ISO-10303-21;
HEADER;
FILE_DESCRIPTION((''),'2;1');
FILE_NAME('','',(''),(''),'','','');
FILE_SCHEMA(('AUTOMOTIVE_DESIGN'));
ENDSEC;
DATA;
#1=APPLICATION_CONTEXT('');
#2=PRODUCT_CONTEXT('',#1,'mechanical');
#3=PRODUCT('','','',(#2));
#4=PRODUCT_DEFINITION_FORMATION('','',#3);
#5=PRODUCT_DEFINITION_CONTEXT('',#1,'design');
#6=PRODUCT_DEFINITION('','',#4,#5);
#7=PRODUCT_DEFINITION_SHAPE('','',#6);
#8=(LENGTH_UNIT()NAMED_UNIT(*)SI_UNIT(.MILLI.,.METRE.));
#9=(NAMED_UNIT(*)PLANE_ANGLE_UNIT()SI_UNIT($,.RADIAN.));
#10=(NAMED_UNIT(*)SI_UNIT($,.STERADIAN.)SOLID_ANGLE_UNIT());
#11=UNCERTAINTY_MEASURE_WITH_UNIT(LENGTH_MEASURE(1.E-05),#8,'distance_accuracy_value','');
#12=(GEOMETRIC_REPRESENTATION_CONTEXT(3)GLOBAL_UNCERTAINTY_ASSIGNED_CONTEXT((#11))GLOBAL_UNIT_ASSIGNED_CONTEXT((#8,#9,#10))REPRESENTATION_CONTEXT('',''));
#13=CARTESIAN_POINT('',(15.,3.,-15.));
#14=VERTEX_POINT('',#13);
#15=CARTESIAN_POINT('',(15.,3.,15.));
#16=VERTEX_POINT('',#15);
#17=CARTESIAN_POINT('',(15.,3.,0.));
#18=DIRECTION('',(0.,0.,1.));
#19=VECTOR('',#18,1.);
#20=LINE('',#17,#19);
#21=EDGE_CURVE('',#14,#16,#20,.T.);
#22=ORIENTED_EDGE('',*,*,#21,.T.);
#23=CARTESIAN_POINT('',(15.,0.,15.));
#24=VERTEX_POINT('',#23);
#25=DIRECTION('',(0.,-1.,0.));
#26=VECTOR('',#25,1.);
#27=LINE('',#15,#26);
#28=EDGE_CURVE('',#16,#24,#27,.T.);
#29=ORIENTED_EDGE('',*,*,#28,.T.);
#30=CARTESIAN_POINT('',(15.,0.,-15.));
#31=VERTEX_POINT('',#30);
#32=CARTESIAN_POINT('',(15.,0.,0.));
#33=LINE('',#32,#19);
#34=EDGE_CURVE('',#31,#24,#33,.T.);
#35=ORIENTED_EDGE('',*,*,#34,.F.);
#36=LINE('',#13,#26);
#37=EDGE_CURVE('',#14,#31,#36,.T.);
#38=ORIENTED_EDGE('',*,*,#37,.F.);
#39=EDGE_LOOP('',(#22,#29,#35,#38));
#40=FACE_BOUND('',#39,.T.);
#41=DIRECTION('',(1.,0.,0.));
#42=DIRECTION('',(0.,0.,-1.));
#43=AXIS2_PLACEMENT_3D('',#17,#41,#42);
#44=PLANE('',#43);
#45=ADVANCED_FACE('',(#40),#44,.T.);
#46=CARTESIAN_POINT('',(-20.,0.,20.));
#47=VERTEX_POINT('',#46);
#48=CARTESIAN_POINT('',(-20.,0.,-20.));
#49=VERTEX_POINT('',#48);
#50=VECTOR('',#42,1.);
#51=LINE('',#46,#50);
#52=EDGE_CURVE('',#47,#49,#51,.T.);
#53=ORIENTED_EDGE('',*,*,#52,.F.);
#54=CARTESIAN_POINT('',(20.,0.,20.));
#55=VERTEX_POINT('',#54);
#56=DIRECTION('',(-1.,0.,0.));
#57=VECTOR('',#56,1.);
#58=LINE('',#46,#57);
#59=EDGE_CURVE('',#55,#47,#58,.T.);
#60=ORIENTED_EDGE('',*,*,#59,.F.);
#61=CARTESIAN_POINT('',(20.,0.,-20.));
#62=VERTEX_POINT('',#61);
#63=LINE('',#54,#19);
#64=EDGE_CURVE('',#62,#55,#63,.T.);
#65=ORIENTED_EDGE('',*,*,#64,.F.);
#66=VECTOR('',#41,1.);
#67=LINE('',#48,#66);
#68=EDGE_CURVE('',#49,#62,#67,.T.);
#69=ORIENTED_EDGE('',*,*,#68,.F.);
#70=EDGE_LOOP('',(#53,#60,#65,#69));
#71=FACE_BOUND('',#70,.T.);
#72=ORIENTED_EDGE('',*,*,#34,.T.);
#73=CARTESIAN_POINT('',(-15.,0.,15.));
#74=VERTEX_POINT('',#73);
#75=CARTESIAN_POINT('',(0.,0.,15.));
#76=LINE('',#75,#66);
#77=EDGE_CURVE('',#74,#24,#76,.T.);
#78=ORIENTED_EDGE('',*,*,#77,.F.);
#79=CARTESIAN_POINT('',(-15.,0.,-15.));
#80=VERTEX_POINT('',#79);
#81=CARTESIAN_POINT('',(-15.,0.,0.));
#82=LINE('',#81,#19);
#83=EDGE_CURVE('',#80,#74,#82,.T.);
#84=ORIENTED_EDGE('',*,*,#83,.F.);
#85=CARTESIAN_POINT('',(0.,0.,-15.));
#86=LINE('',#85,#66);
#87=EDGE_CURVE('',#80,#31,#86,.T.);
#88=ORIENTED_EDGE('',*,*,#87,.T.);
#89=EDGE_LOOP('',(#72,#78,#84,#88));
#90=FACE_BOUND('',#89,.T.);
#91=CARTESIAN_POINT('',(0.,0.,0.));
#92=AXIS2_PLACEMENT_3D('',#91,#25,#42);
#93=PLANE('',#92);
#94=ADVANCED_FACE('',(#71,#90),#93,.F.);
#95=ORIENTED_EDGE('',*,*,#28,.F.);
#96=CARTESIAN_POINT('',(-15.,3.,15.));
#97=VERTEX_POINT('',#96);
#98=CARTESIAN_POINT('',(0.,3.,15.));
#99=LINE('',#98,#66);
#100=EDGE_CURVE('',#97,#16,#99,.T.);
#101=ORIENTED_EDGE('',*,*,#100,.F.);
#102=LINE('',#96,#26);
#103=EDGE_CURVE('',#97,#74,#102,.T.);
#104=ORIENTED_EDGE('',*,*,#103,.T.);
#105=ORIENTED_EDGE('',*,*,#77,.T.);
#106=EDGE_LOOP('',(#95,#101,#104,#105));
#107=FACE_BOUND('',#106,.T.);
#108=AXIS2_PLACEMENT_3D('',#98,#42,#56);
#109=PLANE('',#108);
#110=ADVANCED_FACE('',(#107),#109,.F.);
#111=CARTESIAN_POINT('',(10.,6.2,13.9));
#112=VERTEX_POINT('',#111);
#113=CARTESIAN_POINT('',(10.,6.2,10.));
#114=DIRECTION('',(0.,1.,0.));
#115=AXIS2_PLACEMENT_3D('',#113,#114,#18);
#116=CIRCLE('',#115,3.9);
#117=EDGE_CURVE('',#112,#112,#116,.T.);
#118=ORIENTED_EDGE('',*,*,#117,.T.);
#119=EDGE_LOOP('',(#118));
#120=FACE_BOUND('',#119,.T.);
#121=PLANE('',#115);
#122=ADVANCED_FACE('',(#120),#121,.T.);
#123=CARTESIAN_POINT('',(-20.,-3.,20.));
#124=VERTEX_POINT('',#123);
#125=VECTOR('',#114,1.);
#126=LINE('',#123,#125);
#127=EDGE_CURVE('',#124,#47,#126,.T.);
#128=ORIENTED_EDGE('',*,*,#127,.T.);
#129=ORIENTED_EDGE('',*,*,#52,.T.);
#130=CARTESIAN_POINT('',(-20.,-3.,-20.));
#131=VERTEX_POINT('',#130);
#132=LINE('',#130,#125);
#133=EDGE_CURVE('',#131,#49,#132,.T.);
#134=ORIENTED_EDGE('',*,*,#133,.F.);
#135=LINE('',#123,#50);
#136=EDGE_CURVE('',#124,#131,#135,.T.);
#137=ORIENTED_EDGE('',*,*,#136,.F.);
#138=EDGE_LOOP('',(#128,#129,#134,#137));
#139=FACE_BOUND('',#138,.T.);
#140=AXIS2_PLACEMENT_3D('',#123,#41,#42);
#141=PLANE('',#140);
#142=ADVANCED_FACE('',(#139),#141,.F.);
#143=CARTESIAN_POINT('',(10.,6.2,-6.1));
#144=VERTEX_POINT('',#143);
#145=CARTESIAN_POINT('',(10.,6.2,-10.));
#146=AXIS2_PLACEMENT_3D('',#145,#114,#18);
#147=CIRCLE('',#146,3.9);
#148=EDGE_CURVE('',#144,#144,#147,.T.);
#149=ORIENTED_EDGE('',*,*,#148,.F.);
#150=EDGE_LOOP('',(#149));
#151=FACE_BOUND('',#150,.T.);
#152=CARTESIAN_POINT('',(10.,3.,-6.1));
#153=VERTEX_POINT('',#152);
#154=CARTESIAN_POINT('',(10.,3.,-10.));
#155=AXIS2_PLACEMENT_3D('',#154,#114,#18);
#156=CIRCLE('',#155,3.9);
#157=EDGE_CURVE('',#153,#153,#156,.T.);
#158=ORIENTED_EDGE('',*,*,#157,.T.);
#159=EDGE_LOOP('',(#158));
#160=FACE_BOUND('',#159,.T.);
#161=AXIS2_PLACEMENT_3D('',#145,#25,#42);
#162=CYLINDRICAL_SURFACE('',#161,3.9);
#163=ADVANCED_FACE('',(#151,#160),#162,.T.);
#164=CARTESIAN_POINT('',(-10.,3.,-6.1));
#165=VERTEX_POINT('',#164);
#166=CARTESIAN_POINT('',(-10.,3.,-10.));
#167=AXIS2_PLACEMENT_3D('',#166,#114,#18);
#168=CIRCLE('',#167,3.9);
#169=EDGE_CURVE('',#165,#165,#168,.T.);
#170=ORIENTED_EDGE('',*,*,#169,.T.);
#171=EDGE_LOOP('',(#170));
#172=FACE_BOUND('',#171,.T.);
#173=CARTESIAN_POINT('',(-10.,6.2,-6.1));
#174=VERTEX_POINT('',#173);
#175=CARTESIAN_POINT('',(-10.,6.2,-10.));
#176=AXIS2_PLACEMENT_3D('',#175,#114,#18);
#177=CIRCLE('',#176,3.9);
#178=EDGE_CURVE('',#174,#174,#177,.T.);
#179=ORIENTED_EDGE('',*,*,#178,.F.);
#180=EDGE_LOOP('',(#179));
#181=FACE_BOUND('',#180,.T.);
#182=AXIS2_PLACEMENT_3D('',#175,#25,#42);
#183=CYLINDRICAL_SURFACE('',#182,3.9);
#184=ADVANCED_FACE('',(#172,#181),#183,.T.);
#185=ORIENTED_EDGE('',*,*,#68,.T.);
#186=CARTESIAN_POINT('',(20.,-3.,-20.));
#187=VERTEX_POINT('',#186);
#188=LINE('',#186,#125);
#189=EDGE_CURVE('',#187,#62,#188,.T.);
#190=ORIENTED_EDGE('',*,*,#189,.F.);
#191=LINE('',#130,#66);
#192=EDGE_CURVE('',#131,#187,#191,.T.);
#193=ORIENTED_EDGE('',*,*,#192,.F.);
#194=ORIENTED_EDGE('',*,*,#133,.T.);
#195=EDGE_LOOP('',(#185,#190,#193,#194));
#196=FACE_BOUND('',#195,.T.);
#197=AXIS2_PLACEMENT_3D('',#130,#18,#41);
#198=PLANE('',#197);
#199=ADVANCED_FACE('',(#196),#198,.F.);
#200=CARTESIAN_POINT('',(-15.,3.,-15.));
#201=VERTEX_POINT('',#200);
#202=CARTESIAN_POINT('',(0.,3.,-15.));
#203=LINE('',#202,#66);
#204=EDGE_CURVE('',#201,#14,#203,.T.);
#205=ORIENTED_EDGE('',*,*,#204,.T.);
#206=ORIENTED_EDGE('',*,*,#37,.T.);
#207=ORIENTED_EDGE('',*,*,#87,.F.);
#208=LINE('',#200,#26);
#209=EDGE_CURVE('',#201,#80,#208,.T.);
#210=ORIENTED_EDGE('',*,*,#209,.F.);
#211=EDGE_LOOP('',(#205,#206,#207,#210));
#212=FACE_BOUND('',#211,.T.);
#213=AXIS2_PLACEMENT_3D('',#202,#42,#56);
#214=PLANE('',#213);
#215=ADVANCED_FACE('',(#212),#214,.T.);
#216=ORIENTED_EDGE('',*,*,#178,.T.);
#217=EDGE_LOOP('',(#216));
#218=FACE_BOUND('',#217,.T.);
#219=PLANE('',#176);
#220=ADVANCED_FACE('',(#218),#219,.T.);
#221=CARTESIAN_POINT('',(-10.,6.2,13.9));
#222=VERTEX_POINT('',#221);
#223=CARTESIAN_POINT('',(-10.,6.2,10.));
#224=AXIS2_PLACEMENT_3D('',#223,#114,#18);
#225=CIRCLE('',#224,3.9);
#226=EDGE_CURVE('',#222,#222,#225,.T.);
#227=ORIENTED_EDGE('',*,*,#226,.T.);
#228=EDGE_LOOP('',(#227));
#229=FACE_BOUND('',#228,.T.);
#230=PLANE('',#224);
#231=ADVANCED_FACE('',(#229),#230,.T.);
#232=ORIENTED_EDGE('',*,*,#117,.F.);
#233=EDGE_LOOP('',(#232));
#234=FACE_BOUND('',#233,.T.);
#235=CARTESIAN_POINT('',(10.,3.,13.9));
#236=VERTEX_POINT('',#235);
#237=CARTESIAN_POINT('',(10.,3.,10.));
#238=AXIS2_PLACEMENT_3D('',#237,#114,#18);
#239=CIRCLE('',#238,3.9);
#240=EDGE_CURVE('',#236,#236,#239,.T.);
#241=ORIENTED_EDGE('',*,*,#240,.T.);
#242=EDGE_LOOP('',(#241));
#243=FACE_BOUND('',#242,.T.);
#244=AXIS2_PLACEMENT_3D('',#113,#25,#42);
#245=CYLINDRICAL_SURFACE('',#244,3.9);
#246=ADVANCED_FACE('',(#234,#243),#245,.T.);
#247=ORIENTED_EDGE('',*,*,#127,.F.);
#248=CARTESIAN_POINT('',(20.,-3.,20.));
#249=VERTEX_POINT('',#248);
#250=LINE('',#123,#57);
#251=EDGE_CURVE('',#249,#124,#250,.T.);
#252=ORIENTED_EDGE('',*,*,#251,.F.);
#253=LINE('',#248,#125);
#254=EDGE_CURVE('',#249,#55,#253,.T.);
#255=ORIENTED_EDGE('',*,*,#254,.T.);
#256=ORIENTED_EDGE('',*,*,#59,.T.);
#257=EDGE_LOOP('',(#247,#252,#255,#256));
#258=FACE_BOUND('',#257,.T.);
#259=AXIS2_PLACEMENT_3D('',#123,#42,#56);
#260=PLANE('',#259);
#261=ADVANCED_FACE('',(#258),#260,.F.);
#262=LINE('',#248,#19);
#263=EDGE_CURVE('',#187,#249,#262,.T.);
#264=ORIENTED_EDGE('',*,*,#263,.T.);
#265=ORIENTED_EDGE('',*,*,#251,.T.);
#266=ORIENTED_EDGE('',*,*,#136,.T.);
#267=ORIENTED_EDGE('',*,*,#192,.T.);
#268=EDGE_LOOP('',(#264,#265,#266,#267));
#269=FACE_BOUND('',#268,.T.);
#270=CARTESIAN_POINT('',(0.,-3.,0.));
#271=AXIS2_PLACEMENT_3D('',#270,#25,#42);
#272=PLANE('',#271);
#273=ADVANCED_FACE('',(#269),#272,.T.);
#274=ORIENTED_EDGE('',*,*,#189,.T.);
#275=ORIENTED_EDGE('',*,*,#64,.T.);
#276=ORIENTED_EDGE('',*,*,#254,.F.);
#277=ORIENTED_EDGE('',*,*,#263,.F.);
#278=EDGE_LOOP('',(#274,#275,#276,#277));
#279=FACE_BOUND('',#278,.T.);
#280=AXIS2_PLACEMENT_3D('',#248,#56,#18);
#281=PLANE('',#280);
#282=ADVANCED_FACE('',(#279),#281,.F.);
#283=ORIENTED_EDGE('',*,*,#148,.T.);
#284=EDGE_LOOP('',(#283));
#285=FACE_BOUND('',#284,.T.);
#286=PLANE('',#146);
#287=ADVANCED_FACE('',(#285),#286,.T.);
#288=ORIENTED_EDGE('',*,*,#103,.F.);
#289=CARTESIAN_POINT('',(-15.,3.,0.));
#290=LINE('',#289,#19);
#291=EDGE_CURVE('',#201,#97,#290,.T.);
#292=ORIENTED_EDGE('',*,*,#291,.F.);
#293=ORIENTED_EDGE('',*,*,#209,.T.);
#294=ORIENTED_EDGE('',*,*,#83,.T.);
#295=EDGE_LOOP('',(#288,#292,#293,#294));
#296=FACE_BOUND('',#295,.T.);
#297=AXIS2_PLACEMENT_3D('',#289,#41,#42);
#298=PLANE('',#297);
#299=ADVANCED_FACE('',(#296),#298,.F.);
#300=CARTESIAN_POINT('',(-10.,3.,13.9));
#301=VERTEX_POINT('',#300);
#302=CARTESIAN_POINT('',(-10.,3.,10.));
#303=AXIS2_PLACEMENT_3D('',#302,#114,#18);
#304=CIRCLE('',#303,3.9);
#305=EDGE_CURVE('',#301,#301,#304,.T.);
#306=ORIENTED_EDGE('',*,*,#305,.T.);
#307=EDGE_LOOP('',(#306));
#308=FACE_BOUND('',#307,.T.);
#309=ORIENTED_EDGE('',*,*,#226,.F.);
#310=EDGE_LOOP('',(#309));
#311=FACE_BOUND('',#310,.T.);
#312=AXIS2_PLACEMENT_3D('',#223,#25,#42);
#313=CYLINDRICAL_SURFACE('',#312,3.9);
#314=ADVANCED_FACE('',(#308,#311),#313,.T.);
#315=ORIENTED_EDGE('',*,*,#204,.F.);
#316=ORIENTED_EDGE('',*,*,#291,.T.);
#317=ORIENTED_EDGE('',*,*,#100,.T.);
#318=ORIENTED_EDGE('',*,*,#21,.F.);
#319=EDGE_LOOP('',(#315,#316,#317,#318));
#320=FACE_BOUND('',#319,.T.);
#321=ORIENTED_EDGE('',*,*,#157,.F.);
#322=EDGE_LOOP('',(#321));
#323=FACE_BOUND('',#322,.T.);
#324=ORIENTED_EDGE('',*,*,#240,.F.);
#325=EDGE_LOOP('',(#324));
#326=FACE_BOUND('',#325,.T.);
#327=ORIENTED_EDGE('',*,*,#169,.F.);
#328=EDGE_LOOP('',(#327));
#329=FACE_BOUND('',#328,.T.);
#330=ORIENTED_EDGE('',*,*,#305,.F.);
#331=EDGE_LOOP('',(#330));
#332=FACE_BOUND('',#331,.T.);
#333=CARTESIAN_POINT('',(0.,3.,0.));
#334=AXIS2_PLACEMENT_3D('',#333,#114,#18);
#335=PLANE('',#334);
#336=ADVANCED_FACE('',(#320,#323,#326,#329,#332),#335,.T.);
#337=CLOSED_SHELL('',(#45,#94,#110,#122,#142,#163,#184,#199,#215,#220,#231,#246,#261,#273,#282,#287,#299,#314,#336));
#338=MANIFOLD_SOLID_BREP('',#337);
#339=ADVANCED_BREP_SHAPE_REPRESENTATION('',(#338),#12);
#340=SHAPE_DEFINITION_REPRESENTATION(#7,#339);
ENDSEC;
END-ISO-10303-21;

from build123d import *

# Parameters (mm, degrees)
SKETCH1_W           = 30
SKETCH1_H           = 30
SKETCH1_R           = 3.9
BOSS_EXTRUDE1_DEPTH = 3
SKETCH2_R           = 3.9
BOSS_EXTRUDE2_DEPTH = 3.2
SKETCH3_W           = 40
SKETCH3_H           = 40
BOSS_EXTRUDE3_DEPTH = 3


with BuildPart() as part:
    # Sketch1 → Boss-Extrude1 (new body)
    # profile 1 of 5: a face of its own
    with BuildSketch(Plane(origin=(0, 0, 0), x_dir=(1, 0, 0), z_dir=(0, 1, 0))):
        Rectangle(SKETCH1_W, SKETCH1_H)
        with Locations((10, -10)):
            Circle(SKETCH1_R, mode=Mode.SUBTRACT)
        with Locations((-10, -10)):
            Circle(SKETCH1_R, mode=Mode.SUBTRACT)
        with Locations((10, 10)):
            Circle(SKETCH1_R, mode=Mode.SUBTRACT)
        with Locations((-10, 10)):
            Circle(SKETCH1_R, mode=Mode.SUBTRACT)
    # profile 2 of 5: a face of its own
    with BuildSketch(Plane(origin=(0, 0, 0), x_dir=(1, 0, 0), z_dir=(0, 1, 0))):
        with Locations((-10, 10)):
            Circle(SKETCH1_R)
    # profile 3 of 5: a face of its own
    with BuildSketch(Plane(origin=(0, 0, 0), x_dir=(1, 0, 0), z_dir=(0, 1, 0))):
        with Locations((10, 10)):
            Circle(SKETCH1_R)
    # profile 4 of 5: a face of its own
    with BuildSketch(Plane(origin=(0, 0, 0), x_dir=(1, 0, 0), z_dir=(0, 1, 0))):
        with Locations((-10, -10)):
            Circle(SKETCH1_R)
    # profile 5 of 5: a face of its own
    with BuildSketch(Plane(origin=(0, 0, 0), x_dir=(1, 0, 0), z_dir=(0, 1, 0))):
        with Locations((10, -10)):
            Circle(SKETCH1_R)
    extrude(amount=BOSS_EXTRUDE1_DEPTH)

    # Sketch2 → Boss-Extrude2 (add)
    with BuildSketch(Plane(origin=(0, 3, 0), x_dir=(1, 0, 0), z_dir=(0, 1, 0))):
        with Locations(Location((-10, -10, 0), (0, 0, 270))):
            Circle(SKETCH2_R)
        with Locations(Location((10, -10, 0), (0, 0, 270))):
            Circle(SKETCH2_R)
        with Locations(Location((10, 10, 0), (0, 0, 270))):
            Circle(SKETCH2_R)
        with Locations(Location((-10, 10, 0), (0, 0, 270))):
            Circle(SKETCH2_R)
    extrude(amount=BOSS_EXTRUDE2_DEPTH)

    # Sketch3 → Boss-Extrude3 (add)
    with BuildSketch(Plane.XZ):
        Rectangle(SKETCH3_W, SKETCH3_H)
    extrude(amount=BOSS_EXTRUDE3_DEPTH)


solid = part.part
